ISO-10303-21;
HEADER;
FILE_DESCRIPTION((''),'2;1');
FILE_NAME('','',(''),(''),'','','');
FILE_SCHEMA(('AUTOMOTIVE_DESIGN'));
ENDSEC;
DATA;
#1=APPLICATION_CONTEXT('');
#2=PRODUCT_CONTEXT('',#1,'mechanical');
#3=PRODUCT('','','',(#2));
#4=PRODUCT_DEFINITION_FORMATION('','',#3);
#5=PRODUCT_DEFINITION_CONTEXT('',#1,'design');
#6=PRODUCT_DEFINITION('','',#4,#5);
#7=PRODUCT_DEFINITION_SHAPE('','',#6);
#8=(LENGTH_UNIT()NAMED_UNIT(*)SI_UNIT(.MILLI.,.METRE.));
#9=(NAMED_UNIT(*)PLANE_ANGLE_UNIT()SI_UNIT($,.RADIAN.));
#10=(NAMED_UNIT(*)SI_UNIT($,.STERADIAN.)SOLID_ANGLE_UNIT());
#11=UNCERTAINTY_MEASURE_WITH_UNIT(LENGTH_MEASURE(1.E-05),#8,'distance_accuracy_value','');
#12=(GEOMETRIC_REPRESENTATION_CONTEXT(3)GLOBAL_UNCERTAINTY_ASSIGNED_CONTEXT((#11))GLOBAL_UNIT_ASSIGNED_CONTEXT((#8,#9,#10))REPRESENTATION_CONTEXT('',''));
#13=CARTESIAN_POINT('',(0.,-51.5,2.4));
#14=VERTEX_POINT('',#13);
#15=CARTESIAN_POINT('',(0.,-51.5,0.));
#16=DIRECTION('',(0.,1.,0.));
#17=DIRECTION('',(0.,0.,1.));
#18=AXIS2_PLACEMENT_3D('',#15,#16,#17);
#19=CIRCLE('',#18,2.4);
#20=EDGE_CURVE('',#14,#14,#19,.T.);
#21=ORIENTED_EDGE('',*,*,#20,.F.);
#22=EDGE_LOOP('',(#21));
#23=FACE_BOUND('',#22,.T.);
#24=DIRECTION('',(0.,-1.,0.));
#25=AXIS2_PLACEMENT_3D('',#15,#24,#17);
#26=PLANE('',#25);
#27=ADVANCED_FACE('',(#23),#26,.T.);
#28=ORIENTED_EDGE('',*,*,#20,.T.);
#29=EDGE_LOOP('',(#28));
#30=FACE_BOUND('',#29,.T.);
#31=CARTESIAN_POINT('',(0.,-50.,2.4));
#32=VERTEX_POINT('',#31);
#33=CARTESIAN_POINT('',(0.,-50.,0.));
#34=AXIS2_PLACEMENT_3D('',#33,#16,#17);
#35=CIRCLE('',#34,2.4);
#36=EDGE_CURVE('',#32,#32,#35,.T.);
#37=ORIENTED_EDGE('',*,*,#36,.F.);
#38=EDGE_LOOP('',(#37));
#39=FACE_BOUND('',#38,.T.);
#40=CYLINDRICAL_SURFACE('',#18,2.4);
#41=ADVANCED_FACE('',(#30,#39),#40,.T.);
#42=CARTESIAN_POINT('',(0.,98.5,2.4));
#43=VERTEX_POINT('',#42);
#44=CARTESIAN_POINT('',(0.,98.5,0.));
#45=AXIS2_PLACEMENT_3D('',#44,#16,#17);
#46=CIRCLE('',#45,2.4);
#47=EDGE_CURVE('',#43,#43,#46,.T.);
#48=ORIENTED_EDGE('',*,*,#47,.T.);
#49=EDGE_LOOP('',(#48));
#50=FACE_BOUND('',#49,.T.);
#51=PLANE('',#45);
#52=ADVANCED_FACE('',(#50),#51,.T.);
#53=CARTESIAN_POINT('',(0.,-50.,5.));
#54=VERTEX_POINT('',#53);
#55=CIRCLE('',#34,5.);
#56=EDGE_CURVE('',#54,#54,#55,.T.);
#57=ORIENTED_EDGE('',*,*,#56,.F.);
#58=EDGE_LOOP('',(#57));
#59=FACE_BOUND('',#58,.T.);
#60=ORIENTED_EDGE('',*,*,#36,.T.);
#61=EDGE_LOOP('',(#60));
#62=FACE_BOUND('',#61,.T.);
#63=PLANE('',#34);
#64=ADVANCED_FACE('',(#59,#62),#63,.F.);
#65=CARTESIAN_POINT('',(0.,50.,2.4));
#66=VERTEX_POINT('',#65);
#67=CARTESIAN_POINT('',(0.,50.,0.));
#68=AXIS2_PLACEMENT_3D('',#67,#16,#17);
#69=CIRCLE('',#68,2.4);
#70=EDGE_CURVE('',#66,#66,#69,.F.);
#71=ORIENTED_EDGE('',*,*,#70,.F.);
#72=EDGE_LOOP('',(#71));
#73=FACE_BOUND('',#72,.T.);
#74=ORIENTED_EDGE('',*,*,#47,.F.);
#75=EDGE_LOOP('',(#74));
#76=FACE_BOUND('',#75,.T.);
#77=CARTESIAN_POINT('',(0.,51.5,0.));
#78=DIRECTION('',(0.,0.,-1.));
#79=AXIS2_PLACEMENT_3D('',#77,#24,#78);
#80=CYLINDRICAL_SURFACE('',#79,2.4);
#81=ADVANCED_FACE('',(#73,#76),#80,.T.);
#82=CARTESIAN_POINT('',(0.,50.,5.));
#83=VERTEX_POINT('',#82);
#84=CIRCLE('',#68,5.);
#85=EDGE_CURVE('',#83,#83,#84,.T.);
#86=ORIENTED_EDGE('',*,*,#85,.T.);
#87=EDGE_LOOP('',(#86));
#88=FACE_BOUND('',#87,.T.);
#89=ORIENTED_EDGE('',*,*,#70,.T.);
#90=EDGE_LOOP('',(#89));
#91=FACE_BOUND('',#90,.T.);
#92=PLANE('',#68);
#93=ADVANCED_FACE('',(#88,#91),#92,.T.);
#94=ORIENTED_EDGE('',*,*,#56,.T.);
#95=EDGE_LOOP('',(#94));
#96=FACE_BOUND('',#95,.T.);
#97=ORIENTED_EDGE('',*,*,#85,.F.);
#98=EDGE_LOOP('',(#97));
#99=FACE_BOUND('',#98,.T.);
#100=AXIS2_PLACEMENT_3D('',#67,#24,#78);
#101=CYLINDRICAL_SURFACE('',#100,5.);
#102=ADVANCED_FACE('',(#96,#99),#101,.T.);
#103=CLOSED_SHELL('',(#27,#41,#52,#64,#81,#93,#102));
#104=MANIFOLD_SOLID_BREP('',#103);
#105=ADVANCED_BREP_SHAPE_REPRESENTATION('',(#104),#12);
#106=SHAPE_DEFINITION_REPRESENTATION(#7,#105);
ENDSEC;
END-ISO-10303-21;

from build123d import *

# Parameters (mm, degrees)
SKETCH1_R           = 5
BOSS_EXTRUDE1_DEPTH = 50
SKETCH2_R           = 2.4
BOSS_EXTRUDE2_DEPTH = 1.5
SKETCH3_R           = 2.4
BOSS_EXTRUDE3_DEPTH = 47


with BuildPart() as part:
    # Sketch1 → Boss-Extrude1 (new, symmetric)
    with BuildSketch(Plane(origin=(0, 0, 0), x_dir=(1, 0, 0), z_dir=(0, 1, 0))):
        with Locations(Location((0, 0, 0), (0, 0, 270))):
            Circle(SKETCH1_R)
    extrude(amount=BOSS_EXTRUDE1_DEPTH, both=True)

    # Sketch2 → Boss-Extrude2 (add, symmetric)
    with BuildSketch(Plane(origin=(0, 50, 0), x_dir=(1, 0, 0), z_dir=(0, 1, 0))):
        with Locations(Location((0, 0, 0), (0, 0, 270))):
            Circle(SKETCH2_R)
    boss_extrude2 = extrude(amount=BOSS_EXTRUDE2_DEPTH, both=True)

    # Mirror1: Boss-Extrude2 across plane
    add(boss_extrude2.mirror(Plane.ZX))

    # Sketch3 → Boss-Extrude3 (add)
    with BuildSketch(Plane(origin=(0, 51.5, 0), x_dir=(1, 0, 0), z_dir=(0, 1, 0))):
        with Locations(Location((0, 0, 0), (0, 0, 270))):
            Circle(SKETCH3_R)
    extrude(amount=BOSS_EXTRUDE3_DEPTH)


solid = part.part
